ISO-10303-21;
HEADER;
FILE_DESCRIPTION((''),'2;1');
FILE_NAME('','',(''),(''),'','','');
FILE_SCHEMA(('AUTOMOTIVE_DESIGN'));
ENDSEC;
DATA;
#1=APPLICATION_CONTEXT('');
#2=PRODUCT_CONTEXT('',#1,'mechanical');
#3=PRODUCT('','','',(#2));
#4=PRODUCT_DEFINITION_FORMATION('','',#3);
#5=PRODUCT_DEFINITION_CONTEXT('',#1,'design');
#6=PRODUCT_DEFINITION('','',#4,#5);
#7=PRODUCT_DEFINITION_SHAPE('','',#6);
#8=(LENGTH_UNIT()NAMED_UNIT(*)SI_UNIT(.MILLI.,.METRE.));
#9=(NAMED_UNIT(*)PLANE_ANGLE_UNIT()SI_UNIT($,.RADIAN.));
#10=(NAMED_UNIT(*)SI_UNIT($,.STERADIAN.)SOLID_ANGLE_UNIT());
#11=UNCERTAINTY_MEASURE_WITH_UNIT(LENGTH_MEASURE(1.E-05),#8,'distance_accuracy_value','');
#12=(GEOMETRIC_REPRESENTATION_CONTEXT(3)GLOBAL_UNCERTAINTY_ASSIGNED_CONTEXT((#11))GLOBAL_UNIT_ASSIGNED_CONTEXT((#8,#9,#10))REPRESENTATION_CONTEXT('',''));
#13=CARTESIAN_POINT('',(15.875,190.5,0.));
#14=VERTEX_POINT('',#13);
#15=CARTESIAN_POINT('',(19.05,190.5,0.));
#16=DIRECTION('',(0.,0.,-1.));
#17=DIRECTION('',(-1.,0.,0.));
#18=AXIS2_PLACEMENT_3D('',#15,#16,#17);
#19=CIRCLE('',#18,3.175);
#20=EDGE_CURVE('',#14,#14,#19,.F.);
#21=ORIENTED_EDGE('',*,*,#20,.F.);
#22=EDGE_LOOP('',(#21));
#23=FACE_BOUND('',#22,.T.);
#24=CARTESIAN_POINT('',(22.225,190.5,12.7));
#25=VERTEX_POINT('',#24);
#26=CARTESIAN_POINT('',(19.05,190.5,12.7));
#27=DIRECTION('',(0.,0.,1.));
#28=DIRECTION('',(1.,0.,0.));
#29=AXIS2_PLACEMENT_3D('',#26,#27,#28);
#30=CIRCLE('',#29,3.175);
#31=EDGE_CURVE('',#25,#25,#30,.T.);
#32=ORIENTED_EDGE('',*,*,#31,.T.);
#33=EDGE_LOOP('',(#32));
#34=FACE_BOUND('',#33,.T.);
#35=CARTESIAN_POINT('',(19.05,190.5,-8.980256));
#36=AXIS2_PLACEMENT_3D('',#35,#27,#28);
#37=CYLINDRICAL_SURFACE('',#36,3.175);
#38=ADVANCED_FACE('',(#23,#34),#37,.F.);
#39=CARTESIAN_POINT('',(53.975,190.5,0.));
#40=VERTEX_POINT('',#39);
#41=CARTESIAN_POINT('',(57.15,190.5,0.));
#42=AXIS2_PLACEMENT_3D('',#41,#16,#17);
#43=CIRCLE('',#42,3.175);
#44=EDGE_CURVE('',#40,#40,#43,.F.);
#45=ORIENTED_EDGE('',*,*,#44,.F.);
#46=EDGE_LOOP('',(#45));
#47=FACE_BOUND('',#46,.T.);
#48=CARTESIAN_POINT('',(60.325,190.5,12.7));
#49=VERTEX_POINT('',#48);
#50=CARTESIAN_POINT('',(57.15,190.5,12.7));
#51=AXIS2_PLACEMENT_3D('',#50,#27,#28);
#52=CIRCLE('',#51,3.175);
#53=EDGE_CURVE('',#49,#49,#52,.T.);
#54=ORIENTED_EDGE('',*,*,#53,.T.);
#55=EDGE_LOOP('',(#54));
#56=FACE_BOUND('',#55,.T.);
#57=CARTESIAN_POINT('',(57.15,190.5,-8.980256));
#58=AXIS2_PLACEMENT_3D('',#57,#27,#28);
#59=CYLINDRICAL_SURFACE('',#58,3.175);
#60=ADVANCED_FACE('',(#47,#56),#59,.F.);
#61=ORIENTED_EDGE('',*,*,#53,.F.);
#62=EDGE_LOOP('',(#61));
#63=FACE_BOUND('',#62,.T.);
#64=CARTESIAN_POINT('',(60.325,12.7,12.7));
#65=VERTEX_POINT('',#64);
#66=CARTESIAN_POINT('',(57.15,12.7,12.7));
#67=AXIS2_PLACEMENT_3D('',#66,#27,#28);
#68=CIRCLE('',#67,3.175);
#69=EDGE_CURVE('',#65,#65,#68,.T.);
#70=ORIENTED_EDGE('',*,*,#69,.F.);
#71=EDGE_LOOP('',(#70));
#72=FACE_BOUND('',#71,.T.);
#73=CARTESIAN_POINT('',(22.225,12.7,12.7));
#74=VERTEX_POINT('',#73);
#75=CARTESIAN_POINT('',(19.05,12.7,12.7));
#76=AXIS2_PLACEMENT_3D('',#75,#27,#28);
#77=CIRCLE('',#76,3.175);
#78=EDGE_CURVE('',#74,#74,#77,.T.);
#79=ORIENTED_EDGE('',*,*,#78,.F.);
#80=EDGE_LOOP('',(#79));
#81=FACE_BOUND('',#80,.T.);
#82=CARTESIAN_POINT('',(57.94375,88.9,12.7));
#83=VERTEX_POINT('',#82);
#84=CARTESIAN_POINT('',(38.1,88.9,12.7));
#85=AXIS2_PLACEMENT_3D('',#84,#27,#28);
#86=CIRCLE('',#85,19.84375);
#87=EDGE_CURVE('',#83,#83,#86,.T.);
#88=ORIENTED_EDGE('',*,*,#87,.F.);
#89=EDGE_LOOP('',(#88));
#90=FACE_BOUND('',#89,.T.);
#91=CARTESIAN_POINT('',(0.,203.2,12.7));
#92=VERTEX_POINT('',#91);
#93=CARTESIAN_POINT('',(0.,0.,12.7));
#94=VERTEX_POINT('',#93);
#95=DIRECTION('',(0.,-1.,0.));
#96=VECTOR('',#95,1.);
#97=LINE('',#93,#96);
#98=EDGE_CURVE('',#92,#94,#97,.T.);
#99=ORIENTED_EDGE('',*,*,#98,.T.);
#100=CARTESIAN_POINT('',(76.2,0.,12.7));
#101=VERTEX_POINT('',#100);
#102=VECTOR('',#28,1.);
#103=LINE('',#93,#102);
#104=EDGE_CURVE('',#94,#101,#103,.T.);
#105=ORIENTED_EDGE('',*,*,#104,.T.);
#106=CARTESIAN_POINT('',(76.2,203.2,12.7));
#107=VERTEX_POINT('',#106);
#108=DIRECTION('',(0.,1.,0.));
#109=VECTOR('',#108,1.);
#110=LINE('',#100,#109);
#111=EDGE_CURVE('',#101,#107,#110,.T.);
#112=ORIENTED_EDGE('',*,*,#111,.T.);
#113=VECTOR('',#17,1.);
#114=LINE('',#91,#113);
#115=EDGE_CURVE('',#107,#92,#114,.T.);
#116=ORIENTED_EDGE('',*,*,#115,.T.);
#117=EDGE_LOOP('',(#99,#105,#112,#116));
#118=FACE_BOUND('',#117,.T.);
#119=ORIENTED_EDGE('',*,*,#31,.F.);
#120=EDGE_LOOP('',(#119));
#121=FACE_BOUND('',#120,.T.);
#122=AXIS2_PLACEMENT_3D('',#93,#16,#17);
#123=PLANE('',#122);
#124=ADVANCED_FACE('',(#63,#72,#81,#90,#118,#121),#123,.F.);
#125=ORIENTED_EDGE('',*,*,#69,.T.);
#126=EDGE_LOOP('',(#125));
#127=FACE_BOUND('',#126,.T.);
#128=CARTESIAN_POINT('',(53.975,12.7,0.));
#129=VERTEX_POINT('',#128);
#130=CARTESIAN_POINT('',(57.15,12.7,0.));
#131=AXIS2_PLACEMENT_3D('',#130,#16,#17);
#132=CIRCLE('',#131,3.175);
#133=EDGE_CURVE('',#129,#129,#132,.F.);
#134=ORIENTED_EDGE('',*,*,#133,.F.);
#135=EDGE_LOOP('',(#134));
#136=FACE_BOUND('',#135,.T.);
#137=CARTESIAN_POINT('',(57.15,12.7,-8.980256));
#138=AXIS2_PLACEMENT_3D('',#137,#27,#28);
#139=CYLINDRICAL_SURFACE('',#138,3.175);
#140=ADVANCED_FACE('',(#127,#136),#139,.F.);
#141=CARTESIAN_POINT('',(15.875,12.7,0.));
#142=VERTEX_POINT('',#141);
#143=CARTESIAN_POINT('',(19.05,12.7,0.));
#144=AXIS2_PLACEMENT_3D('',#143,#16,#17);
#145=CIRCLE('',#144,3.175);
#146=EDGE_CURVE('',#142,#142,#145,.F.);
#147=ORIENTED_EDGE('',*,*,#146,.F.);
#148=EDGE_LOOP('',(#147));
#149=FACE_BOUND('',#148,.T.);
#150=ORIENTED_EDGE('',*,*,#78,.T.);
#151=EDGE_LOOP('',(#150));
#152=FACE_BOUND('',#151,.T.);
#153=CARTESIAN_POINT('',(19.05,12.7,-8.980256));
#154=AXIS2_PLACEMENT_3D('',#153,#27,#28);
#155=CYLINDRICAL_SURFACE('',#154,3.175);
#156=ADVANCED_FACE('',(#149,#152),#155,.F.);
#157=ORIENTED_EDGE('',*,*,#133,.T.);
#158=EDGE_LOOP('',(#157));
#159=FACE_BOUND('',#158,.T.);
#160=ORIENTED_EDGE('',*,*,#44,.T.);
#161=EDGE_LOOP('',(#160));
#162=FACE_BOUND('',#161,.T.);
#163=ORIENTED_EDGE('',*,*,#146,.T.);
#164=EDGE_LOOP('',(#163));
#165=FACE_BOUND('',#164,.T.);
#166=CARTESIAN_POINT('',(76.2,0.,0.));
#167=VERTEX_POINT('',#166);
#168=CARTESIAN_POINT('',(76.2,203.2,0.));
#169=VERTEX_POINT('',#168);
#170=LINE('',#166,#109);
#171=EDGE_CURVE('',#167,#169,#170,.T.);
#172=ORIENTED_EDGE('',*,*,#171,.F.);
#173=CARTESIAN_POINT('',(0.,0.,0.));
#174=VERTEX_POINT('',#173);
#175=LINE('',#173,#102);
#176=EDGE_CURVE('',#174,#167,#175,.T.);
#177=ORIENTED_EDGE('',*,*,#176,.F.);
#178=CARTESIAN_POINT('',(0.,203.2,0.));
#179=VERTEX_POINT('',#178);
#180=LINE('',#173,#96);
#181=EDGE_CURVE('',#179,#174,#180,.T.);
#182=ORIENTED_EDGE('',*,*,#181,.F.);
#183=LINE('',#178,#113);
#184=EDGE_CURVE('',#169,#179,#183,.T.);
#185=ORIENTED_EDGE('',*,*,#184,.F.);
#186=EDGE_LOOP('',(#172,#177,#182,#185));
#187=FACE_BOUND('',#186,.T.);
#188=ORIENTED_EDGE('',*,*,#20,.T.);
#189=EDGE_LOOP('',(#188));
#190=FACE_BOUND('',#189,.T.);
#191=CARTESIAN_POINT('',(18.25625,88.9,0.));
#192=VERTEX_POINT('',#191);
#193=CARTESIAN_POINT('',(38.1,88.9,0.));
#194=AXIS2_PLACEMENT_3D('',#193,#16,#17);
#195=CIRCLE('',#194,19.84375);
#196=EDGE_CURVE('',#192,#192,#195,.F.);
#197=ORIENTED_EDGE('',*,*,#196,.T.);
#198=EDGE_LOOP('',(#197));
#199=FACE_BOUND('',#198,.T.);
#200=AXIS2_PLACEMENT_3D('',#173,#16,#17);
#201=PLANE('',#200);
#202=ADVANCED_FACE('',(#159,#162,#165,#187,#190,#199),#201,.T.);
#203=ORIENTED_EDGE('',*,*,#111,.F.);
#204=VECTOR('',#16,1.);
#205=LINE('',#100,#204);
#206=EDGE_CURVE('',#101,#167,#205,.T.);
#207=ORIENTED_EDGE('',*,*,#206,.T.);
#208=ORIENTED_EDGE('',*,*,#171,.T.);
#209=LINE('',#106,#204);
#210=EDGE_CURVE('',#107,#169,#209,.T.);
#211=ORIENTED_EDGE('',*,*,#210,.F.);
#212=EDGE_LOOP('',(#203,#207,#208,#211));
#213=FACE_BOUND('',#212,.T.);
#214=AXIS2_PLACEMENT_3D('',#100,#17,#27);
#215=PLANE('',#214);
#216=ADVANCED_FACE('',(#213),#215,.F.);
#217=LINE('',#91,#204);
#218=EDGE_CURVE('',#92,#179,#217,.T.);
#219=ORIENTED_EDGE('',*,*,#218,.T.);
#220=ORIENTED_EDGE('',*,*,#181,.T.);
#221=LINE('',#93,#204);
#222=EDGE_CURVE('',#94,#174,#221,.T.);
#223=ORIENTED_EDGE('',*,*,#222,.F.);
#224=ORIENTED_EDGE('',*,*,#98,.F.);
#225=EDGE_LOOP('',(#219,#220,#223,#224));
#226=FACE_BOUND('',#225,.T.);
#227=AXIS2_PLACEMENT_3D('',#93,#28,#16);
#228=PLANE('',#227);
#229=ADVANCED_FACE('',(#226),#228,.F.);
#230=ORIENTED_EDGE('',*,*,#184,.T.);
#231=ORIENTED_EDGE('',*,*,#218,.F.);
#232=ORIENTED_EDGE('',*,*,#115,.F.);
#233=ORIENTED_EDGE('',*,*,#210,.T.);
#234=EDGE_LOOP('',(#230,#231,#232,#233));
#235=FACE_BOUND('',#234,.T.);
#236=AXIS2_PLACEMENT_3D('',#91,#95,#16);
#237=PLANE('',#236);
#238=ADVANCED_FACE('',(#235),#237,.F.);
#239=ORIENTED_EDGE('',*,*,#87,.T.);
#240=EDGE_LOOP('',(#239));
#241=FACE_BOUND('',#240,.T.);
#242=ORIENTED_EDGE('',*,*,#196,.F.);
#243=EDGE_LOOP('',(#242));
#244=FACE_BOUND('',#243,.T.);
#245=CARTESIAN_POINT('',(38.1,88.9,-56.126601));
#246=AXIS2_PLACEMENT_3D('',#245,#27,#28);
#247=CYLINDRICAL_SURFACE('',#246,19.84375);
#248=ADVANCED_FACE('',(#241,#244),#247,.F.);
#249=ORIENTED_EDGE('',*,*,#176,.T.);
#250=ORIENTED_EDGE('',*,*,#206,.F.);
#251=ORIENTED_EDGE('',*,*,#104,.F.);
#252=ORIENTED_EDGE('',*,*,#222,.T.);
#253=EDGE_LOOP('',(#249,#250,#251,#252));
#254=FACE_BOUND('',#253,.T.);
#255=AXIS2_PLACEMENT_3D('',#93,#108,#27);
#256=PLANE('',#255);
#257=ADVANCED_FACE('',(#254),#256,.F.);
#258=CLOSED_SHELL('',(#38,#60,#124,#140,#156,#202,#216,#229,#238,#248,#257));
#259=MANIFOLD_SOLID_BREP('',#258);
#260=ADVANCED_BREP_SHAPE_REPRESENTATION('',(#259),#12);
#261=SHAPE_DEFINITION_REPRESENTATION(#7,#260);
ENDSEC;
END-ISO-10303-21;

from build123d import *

# Parameters (mm, degrees)
SKETCH1_W           = 76.2
SKETCH1_H           = 203.2
BOSS_EXTRUDE1_DEPTH = 12.7
SKETCH2_R           = 19.84375
CUT_EXTRUDE1_DEPTH  = 12.7
SKETCH3_R           = 3.175
CUT_EXTRUDE2_DEPTH  = 12.7


with BuildPart() as part:
    # Sketch1 → Boss-Extrude1 (new body)
    with BuildSketch(Plane.XY):
        with Locations((38.1, 101.6)):
            Rectangle(SKETCH1_W, SKETCH1_H)
    extrude(amount=BOSS_EXTRUDE1_DEPTH)

    # Sketch2 → Cut-Extrude1 (cut)
    with BuildSketch(Plane.XY.offset(12.7)):
        with Locations((38.1, 88.9)):
            Circle(SKETCH2_R)
    extrude(amount=-CUT_EXTRUDE1_DEPTH, mode=Mode.SUBTRACT)

    # Sketch3 → Cut-Extrude2 (cut)
    with BuildSketch(Plane.XY.offset(12.7)):
        with Locations((19.05, 190.5)):
            Circle(SKETCH3_R)
        with Locations((57.15, 190.5)):
            Circle(SKETCH3_R)
        with Locations((19.05, 12.7)):
            Circle(SKETCH3_R)
        with Locations((57.15, 12.7)):
            Circle(SKETCH3_R)
    extrude(amount=-CUT_EXTRUDE2_DEPTH, mode=Mode.SUBTRACT)


solid = part.part
